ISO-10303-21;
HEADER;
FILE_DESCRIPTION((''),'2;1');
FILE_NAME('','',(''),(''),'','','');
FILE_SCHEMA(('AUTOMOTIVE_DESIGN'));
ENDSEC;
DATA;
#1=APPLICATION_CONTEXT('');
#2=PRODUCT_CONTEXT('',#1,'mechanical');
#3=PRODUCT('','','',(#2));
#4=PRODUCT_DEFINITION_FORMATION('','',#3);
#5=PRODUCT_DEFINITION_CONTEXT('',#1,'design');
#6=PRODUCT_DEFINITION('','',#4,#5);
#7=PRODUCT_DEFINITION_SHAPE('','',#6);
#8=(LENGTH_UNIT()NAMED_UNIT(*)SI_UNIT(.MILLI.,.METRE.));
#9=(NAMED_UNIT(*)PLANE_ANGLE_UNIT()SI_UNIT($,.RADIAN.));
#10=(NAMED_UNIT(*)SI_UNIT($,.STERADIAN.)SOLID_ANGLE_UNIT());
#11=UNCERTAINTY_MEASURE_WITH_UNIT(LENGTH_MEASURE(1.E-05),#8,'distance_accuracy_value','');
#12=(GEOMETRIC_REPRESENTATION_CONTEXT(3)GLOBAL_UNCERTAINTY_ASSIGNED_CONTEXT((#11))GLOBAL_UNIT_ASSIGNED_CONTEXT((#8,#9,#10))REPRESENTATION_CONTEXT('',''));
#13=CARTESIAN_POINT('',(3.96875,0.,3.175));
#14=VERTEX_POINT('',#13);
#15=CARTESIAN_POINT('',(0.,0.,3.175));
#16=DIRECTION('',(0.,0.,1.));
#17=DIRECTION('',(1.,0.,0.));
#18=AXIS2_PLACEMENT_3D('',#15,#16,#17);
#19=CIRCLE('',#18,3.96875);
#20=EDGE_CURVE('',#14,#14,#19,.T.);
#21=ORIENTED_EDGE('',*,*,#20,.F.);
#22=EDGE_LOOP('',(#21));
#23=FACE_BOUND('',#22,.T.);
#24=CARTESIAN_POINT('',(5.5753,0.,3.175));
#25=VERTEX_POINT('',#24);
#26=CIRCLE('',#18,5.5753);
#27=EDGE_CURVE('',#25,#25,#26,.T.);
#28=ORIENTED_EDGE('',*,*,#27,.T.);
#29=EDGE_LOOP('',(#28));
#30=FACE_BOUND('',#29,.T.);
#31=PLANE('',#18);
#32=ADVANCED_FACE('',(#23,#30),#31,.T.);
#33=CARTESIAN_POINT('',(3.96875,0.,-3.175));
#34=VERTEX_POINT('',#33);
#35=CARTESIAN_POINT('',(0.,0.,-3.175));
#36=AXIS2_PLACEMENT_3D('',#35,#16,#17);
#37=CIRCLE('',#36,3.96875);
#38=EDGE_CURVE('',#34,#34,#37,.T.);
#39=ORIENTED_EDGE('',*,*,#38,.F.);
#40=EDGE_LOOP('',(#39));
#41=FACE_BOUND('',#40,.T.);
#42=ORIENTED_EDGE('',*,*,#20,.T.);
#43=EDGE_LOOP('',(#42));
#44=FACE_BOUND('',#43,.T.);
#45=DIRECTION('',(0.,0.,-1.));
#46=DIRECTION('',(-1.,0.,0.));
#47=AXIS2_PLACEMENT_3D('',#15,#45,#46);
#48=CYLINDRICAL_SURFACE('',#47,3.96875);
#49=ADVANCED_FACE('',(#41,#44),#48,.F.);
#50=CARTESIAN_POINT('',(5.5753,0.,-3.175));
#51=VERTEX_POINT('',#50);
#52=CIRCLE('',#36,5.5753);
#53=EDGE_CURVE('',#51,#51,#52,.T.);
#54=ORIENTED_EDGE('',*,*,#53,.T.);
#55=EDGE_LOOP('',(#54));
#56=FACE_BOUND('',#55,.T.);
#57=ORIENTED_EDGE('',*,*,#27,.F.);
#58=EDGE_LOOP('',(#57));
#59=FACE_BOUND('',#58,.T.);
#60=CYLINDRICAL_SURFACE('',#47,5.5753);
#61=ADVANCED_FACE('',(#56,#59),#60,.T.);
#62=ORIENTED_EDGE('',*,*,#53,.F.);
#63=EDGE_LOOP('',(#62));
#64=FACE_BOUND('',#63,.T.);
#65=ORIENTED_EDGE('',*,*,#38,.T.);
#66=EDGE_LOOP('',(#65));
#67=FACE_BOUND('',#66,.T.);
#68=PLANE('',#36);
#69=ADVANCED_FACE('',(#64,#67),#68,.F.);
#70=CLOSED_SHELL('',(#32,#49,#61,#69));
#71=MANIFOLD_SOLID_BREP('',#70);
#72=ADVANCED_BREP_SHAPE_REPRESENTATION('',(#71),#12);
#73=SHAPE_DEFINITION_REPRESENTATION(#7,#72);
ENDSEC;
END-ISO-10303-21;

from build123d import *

# Parameters (mm, degrees)
SKETCH1_R      = 5.5753
SKETCH1_R_2    = 3.96875
EXTRUDE1_DEPTH = 3.175


with BuildPart() as part:
    # Sketch1 → Extrude1 (new body, symmetric)
    with BuildSketch(Plane.XY):
        Circle(SKETCH1_R)
        Circle(SKETCH1_R_2, mode=Mode.SUBTRACT)
    extrude(amount=EXTRUDE1_DEPTH, both=True)


solid = part.part
